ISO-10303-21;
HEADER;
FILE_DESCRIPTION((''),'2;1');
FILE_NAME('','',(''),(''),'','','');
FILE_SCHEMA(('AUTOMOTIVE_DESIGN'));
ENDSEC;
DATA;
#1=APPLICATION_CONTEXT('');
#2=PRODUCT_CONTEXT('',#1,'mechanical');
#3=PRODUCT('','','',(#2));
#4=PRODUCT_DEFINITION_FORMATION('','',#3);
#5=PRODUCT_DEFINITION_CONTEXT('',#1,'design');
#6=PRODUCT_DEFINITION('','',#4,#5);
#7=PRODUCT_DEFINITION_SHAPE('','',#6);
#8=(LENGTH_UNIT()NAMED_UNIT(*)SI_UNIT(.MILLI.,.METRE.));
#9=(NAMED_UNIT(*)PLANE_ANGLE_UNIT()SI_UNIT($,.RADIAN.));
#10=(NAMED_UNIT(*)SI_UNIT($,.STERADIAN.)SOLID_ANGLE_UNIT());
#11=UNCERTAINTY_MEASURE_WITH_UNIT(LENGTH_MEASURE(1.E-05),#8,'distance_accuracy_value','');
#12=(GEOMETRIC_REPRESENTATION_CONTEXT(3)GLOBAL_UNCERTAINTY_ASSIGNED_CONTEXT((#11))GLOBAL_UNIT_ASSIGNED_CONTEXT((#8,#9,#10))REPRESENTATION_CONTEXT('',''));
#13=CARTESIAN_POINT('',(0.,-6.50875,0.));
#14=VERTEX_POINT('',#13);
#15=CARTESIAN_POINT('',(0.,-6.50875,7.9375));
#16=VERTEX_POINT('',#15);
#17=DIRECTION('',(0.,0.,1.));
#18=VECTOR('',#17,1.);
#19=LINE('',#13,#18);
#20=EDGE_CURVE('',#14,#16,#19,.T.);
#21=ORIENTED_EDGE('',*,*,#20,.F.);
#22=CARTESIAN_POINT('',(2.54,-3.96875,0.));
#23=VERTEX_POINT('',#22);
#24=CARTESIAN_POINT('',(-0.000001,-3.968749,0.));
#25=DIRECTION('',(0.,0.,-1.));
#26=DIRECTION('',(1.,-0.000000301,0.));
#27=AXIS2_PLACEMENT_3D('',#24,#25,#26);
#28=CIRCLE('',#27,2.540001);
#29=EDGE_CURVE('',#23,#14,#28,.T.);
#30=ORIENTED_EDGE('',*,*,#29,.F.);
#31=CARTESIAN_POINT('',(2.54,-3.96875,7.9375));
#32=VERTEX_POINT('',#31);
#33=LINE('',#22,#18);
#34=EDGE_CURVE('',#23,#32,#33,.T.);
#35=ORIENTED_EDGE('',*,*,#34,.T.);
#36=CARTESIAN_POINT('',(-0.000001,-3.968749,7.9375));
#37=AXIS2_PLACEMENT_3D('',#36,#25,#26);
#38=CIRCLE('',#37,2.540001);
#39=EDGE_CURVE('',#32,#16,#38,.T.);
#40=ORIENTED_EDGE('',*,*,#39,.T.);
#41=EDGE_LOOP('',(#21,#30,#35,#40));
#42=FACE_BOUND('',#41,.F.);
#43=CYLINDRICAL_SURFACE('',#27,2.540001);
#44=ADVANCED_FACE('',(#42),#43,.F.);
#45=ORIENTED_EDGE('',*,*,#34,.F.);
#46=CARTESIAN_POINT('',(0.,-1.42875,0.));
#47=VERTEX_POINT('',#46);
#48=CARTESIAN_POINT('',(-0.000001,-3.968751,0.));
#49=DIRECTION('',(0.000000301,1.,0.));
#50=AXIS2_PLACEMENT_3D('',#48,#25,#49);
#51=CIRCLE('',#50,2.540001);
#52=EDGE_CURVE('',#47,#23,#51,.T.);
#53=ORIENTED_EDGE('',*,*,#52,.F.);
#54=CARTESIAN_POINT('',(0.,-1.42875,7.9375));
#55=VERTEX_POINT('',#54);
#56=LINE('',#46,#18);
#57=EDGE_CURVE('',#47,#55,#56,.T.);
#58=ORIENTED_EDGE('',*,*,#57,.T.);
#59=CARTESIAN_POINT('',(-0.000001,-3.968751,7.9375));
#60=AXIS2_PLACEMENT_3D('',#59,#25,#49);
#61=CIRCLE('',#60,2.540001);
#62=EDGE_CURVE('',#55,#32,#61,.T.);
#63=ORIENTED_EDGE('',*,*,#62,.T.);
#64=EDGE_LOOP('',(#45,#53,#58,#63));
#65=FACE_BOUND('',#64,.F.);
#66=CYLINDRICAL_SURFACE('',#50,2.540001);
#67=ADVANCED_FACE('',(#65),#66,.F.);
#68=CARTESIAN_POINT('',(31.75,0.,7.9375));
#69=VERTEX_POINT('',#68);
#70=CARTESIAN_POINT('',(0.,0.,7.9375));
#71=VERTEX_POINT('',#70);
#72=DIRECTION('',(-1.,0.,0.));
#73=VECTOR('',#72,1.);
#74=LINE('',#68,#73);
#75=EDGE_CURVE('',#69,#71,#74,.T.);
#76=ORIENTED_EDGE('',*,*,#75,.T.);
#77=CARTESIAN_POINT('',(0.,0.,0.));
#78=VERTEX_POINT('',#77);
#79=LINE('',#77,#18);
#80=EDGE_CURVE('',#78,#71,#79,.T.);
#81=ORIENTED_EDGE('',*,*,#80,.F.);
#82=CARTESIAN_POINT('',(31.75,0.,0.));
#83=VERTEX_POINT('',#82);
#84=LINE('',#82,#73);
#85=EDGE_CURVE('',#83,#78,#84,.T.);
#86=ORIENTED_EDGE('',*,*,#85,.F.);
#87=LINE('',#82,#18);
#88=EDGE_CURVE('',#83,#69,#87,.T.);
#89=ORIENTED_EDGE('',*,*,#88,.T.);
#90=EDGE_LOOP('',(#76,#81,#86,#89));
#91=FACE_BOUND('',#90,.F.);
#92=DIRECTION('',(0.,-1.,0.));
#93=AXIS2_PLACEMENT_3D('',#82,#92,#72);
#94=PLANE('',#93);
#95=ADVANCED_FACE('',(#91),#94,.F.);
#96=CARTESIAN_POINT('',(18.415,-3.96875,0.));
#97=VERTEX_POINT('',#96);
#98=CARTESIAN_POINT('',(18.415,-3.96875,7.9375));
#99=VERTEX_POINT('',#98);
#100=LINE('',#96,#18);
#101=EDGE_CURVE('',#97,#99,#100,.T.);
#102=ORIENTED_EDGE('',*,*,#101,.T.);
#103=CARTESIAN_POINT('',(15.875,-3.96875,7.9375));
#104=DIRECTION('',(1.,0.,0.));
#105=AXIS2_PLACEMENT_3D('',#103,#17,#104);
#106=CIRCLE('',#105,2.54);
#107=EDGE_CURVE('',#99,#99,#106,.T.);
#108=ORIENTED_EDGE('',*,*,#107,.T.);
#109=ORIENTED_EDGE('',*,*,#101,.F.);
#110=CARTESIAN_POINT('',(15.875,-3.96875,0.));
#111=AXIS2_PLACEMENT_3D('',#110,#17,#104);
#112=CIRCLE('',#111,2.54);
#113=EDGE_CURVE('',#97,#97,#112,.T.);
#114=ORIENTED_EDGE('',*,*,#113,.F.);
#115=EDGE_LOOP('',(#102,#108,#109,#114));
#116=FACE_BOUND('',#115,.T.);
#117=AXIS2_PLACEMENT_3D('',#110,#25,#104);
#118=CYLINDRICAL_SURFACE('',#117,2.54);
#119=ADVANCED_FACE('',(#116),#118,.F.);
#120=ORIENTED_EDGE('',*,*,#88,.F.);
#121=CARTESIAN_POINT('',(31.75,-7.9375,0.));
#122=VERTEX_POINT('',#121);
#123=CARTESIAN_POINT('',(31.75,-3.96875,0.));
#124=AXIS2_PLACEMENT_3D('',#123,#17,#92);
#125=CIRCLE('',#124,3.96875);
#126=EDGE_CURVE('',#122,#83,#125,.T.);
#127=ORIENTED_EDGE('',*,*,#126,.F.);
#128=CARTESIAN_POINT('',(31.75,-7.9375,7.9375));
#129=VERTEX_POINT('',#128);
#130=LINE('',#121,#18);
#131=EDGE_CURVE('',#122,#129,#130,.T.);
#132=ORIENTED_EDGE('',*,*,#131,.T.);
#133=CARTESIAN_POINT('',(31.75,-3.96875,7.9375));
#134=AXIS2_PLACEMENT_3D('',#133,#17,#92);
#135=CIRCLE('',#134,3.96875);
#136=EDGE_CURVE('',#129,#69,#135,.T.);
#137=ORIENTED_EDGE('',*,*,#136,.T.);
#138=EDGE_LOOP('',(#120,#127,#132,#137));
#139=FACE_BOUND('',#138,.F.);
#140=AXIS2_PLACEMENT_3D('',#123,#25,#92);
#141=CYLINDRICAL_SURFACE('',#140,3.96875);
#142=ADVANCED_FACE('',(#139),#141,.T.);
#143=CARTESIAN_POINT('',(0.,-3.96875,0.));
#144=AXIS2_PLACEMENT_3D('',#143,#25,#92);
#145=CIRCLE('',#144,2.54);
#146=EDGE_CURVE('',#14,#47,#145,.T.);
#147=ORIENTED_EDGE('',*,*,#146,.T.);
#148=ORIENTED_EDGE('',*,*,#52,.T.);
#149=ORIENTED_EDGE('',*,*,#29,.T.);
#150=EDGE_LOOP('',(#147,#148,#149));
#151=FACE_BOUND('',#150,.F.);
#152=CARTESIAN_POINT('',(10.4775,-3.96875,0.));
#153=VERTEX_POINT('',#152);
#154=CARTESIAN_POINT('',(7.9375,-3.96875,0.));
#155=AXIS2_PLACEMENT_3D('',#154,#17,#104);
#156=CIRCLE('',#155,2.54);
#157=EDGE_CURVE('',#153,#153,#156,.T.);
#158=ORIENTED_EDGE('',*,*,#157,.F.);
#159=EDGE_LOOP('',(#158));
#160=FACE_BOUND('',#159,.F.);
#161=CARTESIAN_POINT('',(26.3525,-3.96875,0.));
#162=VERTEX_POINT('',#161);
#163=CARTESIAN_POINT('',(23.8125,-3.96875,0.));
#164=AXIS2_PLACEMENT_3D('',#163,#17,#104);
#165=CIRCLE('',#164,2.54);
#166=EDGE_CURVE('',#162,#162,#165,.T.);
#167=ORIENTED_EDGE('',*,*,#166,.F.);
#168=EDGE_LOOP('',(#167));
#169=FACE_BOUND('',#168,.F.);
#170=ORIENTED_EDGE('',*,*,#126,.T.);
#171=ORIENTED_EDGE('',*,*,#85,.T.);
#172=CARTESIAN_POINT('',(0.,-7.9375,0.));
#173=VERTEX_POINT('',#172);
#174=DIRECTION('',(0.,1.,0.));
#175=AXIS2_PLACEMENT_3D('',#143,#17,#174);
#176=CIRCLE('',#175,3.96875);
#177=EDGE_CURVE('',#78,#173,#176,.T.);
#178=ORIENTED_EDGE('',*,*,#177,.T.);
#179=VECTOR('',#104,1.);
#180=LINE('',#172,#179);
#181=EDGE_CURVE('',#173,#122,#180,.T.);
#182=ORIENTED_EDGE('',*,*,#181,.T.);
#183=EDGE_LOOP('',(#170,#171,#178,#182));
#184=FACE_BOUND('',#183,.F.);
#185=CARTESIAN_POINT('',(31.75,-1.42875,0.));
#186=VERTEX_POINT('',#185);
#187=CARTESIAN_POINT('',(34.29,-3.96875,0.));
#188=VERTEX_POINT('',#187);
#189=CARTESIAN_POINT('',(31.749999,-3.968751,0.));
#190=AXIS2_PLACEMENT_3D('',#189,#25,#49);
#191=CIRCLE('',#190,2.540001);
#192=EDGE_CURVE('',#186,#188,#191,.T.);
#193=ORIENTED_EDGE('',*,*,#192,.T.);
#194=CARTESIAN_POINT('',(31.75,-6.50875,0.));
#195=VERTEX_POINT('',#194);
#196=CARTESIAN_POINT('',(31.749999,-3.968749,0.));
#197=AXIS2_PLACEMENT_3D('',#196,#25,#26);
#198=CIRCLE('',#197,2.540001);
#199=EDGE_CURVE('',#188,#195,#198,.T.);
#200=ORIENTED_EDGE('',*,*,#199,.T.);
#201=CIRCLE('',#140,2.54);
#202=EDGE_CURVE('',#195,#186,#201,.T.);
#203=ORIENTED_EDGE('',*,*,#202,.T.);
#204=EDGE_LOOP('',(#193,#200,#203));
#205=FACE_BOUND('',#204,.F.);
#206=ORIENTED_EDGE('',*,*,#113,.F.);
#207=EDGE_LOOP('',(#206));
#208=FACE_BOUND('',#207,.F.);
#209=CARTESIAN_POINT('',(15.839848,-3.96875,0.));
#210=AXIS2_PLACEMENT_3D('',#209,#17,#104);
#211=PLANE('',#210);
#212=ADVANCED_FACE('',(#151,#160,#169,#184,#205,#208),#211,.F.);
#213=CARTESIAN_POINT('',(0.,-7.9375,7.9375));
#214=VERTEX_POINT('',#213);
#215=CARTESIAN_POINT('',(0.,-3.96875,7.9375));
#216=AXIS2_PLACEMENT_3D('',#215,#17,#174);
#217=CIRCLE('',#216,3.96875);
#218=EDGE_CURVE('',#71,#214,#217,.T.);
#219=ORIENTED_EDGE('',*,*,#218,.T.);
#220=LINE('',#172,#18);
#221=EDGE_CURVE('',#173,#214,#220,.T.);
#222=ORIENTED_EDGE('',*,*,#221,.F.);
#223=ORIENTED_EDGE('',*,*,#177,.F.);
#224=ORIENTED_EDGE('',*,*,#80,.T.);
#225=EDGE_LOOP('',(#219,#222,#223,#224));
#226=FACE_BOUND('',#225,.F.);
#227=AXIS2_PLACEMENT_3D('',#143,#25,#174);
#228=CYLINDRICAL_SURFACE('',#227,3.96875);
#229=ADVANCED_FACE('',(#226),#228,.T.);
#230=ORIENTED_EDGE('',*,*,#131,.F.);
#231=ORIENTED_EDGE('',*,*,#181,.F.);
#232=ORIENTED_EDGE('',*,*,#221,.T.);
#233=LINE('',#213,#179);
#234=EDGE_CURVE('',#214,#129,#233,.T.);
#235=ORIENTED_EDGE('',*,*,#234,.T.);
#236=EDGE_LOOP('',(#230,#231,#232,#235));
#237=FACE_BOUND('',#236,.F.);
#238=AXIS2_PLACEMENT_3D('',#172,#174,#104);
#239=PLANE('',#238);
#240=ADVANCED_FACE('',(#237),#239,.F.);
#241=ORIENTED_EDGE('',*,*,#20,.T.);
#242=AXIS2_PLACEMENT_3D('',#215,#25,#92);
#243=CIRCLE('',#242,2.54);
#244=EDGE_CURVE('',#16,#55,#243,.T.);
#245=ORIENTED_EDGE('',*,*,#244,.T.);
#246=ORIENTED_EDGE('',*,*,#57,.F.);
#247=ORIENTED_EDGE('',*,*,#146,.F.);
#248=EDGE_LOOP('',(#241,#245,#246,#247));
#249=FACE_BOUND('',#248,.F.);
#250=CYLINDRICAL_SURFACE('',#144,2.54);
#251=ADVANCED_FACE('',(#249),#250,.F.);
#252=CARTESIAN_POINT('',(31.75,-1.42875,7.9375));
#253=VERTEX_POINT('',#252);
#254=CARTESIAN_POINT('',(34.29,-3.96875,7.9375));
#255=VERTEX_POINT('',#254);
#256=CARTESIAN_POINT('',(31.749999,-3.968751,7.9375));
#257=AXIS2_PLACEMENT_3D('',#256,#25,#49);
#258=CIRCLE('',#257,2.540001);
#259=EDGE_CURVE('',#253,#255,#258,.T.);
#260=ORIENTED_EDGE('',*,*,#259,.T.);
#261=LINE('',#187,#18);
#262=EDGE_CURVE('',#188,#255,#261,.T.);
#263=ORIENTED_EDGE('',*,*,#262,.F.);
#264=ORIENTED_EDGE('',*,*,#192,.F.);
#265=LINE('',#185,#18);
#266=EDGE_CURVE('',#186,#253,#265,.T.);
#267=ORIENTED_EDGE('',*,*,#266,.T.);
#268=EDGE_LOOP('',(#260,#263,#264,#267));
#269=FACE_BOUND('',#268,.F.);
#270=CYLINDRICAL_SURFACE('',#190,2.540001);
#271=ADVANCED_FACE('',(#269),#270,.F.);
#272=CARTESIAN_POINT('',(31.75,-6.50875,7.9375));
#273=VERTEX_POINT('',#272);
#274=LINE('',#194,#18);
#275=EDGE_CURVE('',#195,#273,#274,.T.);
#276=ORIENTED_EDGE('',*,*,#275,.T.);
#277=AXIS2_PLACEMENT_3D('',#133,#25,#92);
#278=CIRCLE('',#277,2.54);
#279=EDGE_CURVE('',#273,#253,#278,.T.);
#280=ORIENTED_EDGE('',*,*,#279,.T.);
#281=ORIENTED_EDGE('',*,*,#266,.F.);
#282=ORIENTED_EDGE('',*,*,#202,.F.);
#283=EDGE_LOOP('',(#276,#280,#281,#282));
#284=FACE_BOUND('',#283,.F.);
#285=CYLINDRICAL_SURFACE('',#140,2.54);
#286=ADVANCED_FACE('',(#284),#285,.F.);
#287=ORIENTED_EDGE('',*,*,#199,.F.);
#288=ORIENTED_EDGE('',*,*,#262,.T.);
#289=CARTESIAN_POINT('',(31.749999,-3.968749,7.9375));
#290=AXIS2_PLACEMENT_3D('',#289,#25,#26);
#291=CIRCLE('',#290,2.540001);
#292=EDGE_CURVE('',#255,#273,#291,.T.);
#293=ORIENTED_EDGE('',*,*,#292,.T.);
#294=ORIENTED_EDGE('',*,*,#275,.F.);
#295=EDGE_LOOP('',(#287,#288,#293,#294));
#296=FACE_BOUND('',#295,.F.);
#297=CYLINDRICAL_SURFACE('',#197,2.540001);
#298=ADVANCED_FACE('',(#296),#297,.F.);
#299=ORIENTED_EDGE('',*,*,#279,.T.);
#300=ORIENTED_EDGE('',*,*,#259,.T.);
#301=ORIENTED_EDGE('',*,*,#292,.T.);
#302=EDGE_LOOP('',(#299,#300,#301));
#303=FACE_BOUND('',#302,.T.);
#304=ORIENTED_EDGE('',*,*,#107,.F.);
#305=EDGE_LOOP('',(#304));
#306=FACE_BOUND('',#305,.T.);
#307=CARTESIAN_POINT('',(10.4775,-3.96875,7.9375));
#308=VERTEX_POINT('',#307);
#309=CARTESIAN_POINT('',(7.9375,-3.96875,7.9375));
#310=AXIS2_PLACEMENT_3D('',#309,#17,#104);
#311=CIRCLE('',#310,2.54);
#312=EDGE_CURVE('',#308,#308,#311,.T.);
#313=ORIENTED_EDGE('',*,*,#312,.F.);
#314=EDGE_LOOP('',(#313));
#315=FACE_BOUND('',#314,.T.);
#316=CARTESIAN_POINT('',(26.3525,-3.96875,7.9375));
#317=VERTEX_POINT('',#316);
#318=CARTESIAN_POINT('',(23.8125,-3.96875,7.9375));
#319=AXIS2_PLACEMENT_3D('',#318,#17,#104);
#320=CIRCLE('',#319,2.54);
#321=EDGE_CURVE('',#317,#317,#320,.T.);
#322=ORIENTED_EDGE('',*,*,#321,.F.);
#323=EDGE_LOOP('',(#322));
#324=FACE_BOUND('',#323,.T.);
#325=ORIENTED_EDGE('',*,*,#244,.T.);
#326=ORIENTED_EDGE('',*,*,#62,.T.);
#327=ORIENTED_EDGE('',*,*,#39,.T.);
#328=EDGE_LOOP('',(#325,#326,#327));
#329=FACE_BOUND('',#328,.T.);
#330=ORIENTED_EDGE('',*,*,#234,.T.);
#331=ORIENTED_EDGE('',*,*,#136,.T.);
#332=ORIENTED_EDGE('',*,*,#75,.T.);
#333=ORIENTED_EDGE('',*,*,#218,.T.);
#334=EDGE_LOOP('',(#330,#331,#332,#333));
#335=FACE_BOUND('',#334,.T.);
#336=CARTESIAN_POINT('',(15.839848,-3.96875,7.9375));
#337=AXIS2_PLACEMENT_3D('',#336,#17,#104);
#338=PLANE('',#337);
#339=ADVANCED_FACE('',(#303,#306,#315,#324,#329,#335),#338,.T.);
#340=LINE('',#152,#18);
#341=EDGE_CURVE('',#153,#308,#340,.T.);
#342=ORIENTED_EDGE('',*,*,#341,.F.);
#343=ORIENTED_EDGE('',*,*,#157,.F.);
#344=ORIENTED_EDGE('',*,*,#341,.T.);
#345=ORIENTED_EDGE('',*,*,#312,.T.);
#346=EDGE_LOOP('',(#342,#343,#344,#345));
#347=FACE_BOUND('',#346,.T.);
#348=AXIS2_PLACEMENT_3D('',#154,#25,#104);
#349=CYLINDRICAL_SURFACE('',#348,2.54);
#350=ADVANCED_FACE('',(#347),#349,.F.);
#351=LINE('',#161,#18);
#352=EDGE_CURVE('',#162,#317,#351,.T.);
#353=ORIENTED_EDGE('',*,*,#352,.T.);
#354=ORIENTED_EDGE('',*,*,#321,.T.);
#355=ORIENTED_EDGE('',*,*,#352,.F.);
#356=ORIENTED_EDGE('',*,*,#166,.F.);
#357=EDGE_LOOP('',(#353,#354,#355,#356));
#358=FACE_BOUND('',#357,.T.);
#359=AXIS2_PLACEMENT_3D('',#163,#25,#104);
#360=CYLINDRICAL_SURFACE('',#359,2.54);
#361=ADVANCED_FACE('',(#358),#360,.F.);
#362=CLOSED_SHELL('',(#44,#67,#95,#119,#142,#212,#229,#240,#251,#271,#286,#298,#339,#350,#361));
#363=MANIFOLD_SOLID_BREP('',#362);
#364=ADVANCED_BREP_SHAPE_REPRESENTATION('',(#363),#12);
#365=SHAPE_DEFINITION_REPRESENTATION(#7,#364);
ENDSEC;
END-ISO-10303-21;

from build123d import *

# Parameters (mm, degrees)
F0_R     = 2.54
F1_DEPTH = 7.9375


with BuildPart() as f1:
    # F0 (on Top) → F1 (new body)
    with BuildSketch(Plane.XY):
        with BuildLine():
            Line((31.75, 0), (0, 0))
            Line((0, 0), (0, -1.42875))
            ThreePointArc((0, -1.42875), (1.796051, -2.172699), (2.54, -3.96875))
            ThreePointArc((2.54, -3.96875), (1.796051, -5.764801), (0, -6.50875))
            Line((0, -6.50875), (0, -7.9375))
            Line((0, -7.9375), (31.75, -7.9375))
            Line((31.75, -7.9375), (31.75, -6.50875))
            ThreePointArc((31.75, -6.50875), (29.21, -3.96875), (31.75, -1.42875))
            Line((31.75, -1.42875), (31.75, 0))
        make_face()
        with Locations((7.9375, -3.96875)):
            Circle(F0_R, mode=Mode.SUBTRACT)
        with Locations((15.875, -3.96875)):
            Circle(F0_R, mode=Mode.SUBTRACT)
        with Locations((23.8125, -3.96875)):
            Circle(F0_R, mode=Mode.SUBTRACT)
        with BuildLine():
            Line((0, -1.42875), (0, 0))
            ThreePointArc((0, 0), (-3.96875, -3.96875), (0, -7.9375))
            Line((0, -7.9375), (0, -6.50875))
            ThreePointArc((0, -6.50875), (-2.54, -3.96875), (0, -1.42875))
        make_face()
        with BuildLine():
            ThreePointArc((31.75, -7.9375), (35.71875, -3.96875), (31.75, 0))
            Line((31.75, 0), (31.75, -1.42875))
            ThreePointArc((31.75, -1.42875), (33.546051, -2.172699), (34.29, -3.96875))
            ThreePointArc((34.29, -3.96875), (33.546051, -5.764801), (31.75, -6.50875))
            Line((31.75, -6.50875), (31.75, -7.9375))
        make_face()
    extrude(amount=F1_DEPTH)


solid = f1.part
